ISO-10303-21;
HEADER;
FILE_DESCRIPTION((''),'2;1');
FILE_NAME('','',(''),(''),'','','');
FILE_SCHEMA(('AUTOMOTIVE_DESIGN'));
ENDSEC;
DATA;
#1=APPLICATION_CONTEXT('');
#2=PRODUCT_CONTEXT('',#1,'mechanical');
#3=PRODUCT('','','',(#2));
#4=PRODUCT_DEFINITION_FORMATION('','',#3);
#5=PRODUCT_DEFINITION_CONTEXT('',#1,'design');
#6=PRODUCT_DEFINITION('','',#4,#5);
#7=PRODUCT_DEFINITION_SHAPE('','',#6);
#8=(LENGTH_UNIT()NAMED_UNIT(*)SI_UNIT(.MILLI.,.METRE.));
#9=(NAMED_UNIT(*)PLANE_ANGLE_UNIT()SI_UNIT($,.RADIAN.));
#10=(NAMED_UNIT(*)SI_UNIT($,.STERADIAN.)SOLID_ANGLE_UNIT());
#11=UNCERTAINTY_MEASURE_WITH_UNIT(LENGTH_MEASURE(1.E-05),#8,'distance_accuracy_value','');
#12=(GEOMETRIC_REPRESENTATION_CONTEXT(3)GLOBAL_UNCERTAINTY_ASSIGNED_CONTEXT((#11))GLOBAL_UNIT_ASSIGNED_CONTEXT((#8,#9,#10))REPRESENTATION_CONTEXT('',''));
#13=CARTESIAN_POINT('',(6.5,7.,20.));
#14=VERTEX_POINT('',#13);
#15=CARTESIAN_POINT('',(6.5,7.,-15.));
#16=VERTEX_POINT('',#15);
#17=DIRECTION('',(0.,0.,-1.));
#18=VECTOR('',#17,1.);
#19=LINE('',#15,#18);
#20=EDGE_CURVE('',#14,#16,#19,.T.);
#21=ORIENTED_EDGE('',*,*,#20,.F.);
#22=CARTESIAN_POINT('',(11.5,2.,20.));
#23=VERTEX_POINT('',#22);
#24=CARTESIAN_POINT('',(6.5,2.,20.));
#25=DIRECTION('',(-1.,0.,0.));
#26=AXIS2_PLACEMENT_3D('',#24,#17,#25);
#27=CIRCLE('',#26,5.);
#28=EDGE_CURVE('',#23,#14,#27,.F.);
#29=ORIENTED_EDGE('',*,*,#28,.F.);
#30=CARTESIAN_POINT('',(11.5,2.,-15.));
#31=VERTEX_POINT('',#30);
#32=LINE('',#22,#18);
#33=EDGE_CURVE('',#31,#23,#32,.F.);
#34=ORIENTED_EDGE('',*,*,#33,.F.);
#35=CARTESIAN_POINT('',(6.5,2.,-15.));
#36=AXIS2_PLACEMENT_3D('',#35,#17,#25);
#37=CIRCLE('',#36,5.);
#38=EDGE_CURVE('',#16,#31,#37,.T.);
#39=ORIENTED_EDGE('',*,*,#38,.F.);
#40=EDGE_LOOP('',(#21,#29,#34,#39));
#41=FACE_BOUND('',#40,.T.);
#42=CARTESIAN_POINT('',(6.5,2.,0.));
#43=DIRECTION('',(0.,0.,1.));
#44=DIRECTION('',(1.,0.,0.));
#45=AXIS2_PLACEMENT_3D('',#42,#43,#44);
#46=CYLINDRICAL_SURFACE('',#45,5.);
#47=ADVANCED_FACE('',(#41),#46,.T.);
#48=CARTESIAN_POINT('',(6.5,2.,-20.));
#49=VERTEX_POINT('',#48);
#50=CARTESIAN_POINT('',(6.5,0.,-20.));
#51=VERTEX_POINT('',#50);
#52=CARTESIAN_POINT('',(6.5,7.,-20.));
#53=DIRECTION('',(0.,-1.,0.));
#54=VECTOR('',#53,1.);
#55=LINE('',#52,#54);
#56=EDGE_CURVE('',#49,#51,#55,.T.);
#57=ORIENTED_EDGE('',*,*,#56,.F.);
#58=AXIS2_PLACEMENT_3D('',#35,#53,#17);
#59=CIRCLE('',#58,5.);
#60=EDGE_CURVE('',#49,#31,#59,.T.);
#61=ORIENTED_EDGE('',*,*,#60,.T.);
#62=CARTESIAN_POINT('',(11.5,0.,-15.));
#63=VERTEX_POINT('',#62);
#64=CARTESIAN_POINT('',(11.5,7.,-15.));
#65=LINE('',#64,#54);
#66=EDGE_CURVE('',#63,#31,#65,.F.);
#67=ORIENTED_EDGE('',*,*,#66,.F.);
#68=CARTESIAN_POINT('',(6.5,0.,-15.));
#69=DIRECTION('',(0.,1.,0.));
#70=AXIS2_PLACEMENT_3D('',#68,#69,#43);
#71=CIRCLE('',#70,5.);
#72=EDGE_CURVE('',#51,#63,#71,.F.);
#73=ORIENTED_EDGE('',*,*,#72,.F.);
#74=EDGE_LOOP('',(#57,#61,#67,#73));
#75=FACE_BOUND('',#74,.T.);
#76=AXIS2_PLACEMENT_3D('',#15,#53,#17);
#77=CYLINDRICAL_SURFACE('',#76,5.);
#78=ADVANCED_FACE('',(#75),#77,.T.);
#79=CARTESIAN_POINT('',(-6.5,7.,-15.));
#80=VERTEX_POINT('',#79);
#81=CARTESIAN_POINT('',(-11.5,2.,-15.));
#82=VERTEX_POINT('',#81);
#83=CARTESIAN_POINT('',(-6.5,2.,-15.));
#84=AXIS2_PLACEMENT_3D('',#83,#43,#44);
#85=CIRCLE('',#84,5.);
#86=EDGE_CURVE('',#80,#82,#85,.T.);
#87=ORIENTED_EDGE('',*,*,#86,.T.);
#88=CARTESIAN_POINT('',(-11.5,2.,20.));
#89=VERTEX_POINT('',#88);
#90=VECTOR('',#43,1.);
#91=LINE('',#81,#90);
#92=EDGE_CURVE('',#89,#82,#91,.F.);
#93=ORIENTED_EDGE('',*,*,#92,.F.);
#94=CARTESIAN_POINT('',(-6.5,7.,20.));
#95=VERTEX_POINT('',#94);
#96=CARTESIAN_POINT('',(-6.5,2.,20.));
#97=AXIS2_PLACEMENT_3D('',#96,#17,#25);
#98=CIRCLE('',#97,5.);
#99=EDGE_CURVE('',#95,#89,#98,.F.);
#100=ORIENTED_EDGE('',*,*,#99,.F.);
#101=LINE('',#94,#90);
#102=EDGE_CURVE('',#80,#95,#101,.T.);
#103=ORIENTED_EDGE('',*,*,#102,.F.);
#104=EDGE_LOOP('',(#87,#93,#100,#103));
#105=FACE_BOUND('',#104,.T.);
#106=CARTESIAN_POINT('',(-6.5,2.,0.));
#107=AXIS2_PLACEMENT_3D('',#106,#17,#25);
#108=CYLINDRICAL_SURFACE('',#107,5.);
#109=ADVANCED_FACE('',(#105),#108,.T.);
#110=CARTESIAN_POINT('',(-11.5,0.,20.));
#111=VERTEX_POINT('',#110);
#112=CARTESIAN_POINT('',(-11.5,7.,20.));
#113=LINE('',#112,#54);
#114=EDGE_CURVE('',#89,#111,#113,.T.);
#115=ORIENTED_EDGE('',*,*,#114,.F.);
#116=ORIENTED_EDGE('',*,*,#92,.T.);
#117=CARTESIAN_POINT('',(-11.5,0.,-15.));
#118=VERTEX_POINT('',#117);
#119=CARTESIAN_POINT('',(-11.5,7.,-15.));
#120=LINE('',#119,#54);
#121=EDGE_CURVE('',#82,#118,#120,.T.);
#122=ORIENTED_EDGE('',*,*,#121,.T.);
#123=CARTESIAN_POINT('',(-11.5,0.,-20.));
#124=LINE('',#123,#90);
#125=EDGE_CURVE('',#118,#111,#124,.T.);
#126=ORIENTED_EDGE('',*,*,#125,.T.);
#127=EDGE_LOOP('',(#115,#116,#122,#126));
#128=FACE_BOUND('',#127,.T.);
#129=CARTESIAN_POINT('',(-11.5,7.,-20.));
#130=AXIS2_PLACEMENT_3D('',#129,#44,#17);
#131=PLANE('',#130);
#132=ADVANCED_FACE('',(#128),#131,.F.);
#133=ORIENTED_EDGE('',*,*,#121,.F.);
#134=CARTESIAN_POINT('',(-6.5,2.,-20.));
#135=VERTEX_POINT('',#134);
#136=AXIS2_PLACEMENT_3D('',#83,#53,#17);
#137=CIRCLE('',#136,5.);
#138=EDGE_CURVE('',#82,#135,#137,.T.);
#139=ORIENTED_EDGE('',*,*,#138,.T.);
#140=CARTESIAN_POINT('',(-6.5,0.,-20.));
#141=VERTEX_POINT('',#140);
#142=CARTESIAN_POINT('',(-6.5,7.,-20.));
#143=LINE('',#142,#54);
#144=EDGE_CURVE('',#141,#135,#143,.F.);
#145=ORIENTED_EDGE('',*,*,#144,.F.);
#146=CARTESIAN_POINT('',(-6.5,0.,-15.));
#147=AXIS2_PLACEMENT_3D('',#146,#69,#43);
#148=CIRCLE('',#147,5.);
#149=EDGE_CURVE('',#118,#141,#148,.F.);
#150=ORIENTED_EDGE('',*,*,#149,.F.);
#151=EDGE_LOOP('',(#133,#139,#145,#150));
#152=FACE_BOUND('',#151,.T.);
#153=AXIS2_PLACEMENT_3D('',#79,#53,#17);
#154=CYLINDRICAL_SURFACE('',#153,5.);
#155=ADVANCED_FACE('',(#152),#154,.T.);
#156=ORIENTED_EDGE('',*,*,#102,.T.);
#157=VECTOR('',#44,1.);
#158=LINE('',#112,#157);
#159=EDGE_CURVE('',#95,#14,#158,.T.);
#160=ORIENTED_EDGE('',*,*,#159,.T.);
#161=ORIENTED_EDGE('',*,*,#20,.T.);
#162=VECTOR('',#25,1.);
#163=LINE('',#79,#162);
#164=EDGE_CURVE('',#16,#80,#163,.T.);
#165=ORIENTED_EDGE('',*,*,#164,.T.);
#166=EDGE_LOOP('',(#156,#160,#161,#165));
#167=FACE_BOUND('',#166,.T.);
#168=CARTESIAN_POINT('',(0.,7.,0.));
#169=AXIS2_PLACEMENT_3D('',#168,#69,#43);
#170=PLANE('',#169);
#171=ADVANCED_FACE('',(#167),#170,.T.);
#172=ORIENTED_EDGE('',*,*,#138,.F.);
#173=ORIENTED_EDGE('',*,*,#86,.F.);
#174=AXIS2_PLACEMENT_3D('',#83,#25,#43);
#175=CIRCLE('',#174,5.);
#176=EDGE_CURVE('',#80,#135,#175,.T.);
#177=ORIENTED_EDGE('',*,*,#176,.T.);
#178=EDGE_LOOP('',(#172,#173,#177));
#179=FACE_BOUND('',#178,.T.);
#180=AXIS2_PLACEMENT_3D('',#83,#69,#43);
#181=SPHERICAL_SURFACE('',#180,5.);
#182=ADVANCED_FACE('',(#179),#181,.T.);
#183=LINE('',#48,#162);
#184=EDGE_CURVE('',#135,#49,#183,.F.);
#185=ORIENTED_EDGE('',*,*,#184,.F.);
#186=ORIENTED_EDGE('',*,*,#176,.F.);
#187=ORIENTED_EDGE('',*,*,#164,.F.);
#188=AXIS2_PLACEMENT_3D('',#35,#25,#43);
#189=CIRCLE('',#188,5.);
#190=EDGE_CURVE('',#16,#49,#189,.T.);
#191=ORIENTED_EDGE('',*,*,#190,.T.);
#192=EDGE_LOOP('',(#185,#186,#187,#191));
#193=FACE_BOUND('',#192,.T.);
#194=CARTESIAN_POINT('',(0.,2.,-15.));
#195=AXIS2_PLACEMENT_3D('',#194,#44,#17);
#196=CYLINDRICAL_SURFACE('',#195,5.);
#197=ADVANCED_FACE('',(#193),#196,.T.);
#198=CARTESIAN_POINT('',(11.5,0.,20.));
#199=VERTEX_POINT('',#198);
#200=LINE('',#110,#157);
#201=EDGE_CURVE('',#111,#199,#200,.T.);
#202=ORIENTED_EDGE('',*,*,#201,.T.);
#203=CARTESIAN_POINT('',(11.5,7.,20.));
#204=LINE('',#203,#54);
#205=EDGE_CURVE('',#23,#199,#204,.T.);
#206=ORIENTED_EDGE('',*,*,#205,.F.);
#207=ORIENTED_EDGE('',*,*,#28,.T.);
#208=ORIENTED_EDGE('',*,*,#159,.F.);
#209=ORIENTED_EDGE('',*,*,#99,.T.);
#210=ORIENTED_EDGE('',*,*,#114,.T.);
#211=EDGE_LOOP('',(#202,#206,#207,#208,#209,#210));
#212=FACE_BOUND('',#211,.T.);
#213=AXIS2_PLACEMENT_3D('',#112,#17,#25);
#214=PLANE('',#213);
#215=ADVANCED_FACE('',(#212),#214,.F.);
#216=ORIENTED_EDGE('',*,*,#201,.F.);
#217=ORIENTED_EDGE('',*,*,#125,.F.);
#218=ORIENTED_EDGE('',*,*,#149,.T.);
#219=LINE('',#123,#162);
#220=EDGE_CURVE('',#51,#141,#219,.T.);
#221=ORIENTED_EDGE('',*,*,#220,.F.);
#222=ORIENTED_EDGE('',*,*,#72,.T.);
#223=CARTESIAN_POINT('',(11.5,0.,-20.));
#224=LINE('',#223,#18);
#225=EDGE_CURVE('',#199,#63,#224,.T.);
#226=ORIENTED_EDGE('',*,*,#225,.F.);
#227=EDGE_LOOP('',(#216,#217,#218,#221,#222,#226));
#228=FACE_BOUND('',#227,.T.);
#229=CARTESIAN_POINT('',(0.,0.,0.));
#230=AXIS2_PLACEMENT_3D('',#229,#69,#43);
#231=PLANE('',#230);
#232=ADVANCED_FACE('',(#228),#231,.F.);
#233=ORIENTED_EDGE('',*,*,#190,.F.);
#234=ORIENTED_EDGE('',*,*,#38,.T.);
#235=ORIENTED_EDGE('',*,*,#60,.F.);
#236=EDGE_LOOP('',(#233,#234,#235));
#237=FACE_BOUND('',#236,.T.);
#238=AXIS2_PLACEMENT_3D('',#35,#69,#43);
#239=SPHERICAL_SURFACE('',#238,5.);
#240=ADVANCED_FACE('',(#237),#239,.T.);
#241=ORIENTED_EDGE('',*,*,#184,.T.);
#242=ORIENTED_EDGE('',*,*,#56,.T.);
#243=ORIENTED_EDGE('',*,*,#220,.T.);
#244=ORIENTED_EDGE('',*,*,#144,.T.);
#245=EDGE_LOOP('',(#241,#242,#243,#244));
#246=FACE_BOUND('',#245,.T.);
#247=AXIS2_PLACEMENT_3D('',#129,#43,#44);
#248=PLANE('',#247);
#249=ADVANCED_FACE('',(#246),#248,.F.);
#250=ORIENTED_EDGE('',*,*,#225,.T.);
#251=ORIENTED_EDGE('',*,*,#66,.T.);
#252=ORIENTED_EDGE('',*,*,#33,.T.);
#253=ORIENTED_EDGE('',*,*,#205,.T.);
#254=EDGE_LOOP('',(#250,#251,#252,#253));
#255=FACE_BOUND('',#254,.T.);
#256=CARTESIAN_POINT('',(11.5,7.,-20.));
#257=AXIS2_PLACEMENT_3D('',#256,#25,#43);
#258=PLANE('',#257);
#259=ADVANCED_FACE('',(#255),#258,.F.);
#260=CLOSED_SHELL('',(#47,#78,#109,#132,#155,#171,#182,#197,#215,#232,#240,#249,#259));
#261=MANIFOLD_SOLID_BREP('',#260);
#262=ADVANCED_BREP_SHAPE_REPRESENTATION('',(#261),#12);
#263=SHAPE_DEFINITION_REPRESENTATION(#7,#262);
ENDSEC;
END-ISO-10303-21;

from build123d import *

# Parameters (mm, degrees)
SKETCH1_W           = 23
SKETCH1_H           = 40
BOSS_EXTRUDE1_DEPTH = 7
FILLET1_R           = 5
FILLET2_R           = 5
FILLET3_R           = 5


with BuildPart() as part:
    # Sketch1 → Boss-Extrude1 (new body)
    with BuildSketch(Plane(origin=(0, 0, 0), x_dir=(1, 0, 0), z_dir=(0, 1, 0))):
        Rectangle(SKETCH1_W, SKETCH1_H)
    extrude(amount=BOSS_EXTRUDE1_DEPTH)

    # Fillet1
    fillet1_edges = [part.edges().sort_by_distance(p)[0] for p in [
        (-11.5, 3.5, -20),
    ]]
    fillet(fillet1_edges, radius=FILLET1_R)

    # Fillet2
    fillet2_edges = [part.edges().sort_by_distance(p)[0] for p in [
        (11.5, 3.5, -20),
    ]]
    fillet(fillet2_edges, radius=FILLET2_R)

    # Fillet3
    fillet3_edges = [part.edges().sort_by_distance(p)[0] for p in [
        (-11.5, 7, 2.5),
        (-10.035533906, 7, -18.535533906),
        (0, 7, -20),
        (10.035533906, 7, -18.535533906),
        (11.5, 7, 2.5),
    ]]
    fillet(fillet3_edges, radius=FILLET3_R)


solid = part.part
